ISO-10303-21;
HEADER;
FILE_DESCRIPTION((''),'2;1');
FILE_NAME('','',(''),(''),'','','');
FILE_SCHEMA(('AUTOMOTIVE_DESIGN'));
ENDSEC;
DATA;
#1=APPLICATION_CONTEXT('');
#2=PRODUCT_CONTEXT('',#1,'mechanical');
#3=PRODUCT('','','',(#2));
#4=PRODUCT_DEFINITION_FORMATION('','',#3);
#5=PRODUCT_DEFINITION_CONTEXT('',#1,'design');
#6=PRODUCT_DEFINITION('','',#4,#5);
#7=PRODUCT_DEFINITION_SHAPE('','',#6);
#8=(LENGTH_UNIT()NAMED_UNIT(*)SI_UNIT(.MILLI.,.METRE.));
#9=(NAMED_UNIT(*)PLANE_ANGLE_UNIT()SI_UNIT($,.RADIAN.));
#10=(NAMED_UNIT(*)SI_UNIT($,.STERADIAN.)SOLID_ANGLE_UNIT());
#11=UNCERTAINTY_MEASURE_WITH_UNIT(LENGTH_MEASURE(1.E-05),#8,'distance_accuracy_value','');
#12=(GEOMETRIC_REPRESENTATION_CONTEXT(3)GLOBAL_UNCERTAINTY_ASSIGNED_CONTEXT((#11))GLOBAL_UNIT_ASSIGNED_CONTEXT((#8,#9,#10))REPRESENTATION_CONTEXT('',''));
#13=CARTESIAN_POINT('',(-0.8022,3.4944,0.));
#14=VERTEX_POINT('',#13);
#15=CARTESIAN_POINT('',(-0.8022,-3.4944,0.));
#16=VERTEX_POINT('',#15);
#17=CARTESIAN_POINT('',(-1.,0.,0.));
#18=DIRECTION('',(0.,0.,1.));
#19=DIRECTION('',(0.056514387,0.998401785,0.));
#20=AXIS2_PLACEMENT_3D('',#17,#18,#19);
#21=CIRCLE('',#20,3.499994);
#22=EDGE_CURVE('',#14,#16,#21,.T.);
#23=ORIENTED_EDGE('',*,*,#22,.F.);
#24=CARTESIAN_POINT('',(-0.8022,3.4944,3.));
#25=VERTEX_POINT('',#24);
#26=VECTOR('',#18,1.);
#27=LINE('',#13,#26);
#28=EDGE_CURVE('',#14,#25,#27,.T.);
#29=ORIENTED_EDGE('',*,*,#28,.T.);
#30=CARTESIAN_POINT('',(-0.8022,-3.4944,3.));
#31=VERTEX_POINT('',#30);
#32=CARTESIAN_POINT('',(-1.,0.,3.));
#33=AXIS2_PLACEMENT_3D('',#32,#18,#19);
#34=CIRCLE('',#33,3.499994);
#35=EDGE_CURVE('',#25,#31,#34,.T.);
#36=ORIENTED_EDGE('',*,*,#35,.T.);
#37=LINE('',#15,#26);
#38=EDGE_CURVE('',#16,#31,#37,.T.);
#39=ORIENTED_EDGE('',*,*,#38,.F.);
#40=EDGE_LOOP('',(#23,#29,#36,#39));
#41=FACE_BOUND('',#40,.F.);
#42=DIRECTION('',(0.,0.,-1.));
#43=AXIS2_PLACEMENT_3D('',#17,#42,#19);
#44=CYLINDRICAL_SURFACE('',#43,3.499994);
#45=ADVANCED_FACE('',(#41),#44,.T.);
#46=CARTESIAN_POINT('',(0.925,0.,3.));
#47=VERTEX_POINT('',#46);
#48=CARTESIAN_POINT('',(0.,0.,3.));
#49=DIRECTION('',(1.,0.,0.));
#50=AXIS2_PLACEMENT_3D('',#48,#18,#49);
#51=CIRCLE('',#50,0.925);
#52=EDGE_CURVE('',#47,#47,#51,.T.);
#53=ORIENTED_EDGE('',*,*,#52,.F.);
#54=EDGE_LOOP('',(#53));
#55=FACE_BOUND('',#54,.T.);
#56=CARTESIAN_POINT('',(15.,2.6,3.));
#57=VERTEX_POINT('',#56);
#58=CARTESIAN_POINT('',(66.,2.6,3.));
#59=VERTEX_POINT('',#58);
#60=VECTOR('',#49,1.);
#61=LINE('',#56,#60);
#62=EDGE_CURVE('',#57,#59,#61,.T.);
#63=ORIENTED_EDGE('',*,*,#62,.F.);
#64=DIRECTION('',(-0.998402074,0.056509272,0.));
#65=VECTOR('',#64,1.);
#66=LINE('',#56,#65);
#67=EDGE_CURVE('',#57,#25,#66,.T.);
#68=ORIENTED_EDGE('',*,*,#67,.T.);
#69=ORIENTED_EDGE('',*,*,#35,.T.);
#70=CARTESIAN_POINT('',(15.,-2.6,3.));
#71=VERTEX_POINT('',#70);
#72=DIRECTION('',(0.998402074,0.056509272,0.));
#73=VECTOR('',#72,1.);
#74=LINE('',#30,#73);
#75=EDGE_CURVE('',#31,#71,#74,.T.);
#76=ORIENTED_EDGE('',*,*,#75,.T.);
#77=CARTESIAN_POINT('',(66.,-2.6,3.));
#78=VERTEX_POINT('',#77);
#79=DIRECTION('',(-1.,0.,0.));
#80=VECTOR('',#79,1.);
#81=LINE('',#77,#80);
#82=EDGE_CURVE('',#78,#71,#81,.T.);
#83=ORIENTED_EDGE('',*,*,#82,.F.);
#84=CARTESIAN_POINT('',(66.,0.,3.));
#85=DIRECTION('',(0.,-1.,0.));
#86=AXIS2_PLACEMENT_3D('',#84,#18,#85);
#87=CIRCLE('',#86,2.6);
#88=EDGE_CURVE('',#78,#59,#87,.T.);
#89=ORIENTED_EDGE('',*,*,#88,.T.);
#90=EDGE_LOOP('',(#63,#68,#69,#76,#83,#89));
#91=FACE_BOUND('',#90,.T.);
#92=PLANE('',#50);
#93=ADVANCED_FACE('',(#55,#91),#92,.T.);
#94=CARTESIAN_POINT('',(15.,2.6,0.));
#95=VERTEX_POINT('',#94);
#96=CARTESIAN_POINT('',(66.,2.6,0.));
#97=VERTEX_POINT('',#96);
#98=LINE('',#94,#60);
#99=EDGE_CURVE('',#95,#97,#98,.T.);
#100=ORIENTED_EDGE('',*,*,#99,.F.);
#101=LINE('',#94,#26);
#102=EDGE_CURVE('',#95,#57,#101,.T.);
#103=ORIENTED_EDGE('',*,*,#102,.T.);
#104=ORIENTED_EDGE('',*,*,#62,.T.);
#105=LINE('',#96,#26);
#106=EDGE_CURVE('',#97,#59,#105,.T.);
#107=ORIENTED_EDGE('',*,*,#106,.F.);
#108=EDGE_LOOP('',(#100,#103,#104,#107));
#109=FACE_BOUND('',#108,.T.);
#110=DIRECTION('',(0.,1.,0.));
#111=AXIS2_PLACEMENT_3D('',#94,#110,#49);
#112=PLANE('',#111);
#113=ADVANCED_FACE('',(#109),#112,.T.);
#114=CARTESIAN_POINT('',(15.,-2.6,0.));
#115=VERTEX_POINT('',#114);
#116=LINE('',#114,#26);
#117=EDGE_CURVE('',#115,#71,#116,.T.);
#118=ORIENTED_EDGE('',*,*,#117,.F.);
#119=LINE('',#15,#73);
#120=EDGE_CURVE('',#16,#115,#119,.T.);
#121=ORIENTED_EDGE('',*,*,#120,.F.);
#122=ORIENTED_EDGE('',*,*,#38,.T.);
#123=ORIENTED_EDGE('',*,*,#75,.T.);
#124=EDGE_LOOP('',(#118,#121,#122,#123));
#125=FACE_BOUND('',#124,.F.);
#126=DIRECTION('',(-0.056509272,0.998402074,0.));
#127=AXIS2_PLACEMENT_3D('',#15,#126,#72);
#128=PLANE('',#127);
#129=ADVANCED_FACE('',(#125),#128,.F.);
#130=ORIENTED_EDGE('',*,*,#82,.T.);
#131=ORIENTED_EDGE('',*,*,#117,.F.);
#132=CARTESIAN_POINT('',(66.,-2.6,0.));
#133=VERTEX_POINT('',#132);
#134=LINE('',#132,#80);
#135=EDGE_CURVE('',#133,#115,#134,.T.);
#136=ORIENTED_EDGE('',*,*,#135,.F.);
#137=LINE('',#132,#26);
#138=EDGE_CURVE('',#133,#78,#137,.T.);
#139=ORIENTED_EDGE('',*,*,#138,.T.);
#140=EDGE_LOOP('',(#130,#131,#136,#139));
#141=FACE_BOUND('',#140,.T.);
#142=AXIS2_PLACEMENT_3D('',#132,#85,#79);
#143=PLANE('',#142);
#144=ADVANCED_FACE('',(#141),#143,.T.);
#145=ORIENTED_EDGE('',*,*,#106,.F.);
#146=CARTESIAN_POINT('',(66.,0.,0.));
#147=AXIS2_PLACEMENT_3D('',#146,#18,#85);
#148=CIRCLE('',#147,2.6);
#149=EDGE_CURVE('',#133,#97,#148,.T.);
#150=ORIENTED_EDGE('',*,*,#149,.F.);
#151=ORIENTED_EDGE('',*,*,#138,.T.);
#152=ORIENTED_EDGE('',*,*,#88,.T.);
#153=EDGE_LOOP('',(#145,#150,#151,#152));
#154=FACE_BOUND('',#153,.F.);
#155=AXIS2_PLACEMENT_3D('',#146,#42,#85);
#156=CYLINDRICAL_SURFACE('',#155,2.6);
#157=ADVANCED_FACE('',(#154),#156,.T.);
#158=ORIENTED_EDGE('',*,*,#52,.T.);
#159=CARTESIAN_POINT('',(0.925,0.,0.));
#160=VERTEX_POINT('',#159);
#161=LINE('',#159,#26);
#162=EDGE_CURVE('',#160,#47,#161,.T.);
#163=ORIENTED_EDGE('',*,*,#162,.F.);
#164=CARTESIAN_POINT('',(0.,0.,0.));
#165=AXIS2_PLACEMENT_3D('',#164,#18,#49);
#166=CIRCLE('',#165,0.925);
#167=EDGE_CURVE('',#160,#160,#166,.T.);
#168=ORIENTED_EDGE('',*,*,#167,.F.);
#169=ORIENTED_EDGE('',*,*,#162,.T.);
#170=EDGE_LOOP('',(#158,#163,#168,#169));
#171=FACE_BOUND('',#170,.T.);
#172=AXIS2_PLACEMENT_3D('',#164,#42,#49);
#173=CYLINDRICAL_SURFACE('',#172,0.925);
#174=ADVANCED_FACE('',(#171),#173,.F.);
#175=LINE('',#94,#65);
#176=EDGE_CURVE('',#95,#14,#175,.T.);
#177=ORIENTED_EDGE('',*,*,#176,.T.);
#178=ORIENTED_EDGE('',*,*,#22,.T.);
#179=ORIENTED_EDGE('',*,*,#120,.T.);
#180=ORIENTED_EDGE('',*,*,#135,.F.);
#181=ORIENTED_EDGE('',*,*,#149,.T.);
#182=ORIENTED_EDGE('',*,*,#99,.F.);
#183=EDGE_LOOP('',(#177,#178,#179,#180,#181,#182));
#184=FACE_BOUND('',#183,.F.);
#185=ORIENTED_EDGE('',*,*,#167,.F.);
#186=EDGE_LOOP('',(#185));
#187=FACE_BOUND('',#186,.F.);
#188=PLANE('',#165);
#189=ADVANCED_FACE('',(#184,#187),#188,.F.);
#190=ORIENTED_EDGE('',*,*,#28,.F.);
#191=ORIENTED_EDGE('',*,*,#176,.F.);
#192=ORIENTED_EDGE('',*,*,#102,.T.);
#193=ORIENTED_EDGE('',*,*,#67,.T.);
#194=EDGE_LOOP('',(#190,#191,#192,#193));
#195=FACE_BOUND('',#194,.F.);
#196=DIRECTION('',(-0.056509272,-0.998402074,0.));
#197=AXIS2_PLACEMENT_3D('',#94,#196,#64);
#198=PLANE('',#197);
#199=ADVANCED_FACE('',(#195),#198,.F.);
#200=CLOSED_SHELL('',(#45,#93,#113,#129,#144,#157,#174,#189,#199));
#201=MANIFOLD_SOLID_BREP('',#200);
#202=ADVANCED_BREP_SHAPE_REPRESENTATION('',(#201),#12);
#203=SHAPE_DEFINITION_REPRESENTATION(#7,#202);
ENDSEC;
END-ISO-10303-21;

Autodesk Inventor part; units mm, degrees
ref_plane "YZ Plane" through (0, 0, 0) normal (1, 0, 0) x (0, 1, 0)
ref_plane "XZ Plane" through (0, 0, 0) normal (0, 1, 0) x (-1, 0, 0)
ref_plane "XY Plane" through (0, 0, 0) normal (0, 0, 1) x (1, 0, 0)
sketch "Sketch1" plane through (0, 0, 0) normal (0, 0, 1) x (1, 0, 0)
  circle A0 centre (0, 0) radius 0.925
  line L0 (15, 2.6) -> (-0.8022, 3.4944)
  arc A1 (-0.8022, 3.4944) -> (-0.8022, -3.4944) centre (-1, 0) ccw
  line L1 (-0.8022, -3.4944) -> (15, -2.6)
  line L2 (0, 0) -> (26, 0) construction
  line L3 (15, 2.6) -> (66, 2.6)
  arc A2 (66, -2.6) -> (66, 2.6) centre (66, 0) ccw
  line L4 (66, -2.6) -> (15, -2.6)
  dimension "d0" = 1.85
  dimension "d7" = 3.5
  dimension "d8" = 1
  dimension "d10" = 2.6
  dimension "d11" = 66
  dimension "d12" = 16
extrude "Extrusion1" add sketch "Sketch1" along normal blind 3
properties part number "slider_link_p6"
